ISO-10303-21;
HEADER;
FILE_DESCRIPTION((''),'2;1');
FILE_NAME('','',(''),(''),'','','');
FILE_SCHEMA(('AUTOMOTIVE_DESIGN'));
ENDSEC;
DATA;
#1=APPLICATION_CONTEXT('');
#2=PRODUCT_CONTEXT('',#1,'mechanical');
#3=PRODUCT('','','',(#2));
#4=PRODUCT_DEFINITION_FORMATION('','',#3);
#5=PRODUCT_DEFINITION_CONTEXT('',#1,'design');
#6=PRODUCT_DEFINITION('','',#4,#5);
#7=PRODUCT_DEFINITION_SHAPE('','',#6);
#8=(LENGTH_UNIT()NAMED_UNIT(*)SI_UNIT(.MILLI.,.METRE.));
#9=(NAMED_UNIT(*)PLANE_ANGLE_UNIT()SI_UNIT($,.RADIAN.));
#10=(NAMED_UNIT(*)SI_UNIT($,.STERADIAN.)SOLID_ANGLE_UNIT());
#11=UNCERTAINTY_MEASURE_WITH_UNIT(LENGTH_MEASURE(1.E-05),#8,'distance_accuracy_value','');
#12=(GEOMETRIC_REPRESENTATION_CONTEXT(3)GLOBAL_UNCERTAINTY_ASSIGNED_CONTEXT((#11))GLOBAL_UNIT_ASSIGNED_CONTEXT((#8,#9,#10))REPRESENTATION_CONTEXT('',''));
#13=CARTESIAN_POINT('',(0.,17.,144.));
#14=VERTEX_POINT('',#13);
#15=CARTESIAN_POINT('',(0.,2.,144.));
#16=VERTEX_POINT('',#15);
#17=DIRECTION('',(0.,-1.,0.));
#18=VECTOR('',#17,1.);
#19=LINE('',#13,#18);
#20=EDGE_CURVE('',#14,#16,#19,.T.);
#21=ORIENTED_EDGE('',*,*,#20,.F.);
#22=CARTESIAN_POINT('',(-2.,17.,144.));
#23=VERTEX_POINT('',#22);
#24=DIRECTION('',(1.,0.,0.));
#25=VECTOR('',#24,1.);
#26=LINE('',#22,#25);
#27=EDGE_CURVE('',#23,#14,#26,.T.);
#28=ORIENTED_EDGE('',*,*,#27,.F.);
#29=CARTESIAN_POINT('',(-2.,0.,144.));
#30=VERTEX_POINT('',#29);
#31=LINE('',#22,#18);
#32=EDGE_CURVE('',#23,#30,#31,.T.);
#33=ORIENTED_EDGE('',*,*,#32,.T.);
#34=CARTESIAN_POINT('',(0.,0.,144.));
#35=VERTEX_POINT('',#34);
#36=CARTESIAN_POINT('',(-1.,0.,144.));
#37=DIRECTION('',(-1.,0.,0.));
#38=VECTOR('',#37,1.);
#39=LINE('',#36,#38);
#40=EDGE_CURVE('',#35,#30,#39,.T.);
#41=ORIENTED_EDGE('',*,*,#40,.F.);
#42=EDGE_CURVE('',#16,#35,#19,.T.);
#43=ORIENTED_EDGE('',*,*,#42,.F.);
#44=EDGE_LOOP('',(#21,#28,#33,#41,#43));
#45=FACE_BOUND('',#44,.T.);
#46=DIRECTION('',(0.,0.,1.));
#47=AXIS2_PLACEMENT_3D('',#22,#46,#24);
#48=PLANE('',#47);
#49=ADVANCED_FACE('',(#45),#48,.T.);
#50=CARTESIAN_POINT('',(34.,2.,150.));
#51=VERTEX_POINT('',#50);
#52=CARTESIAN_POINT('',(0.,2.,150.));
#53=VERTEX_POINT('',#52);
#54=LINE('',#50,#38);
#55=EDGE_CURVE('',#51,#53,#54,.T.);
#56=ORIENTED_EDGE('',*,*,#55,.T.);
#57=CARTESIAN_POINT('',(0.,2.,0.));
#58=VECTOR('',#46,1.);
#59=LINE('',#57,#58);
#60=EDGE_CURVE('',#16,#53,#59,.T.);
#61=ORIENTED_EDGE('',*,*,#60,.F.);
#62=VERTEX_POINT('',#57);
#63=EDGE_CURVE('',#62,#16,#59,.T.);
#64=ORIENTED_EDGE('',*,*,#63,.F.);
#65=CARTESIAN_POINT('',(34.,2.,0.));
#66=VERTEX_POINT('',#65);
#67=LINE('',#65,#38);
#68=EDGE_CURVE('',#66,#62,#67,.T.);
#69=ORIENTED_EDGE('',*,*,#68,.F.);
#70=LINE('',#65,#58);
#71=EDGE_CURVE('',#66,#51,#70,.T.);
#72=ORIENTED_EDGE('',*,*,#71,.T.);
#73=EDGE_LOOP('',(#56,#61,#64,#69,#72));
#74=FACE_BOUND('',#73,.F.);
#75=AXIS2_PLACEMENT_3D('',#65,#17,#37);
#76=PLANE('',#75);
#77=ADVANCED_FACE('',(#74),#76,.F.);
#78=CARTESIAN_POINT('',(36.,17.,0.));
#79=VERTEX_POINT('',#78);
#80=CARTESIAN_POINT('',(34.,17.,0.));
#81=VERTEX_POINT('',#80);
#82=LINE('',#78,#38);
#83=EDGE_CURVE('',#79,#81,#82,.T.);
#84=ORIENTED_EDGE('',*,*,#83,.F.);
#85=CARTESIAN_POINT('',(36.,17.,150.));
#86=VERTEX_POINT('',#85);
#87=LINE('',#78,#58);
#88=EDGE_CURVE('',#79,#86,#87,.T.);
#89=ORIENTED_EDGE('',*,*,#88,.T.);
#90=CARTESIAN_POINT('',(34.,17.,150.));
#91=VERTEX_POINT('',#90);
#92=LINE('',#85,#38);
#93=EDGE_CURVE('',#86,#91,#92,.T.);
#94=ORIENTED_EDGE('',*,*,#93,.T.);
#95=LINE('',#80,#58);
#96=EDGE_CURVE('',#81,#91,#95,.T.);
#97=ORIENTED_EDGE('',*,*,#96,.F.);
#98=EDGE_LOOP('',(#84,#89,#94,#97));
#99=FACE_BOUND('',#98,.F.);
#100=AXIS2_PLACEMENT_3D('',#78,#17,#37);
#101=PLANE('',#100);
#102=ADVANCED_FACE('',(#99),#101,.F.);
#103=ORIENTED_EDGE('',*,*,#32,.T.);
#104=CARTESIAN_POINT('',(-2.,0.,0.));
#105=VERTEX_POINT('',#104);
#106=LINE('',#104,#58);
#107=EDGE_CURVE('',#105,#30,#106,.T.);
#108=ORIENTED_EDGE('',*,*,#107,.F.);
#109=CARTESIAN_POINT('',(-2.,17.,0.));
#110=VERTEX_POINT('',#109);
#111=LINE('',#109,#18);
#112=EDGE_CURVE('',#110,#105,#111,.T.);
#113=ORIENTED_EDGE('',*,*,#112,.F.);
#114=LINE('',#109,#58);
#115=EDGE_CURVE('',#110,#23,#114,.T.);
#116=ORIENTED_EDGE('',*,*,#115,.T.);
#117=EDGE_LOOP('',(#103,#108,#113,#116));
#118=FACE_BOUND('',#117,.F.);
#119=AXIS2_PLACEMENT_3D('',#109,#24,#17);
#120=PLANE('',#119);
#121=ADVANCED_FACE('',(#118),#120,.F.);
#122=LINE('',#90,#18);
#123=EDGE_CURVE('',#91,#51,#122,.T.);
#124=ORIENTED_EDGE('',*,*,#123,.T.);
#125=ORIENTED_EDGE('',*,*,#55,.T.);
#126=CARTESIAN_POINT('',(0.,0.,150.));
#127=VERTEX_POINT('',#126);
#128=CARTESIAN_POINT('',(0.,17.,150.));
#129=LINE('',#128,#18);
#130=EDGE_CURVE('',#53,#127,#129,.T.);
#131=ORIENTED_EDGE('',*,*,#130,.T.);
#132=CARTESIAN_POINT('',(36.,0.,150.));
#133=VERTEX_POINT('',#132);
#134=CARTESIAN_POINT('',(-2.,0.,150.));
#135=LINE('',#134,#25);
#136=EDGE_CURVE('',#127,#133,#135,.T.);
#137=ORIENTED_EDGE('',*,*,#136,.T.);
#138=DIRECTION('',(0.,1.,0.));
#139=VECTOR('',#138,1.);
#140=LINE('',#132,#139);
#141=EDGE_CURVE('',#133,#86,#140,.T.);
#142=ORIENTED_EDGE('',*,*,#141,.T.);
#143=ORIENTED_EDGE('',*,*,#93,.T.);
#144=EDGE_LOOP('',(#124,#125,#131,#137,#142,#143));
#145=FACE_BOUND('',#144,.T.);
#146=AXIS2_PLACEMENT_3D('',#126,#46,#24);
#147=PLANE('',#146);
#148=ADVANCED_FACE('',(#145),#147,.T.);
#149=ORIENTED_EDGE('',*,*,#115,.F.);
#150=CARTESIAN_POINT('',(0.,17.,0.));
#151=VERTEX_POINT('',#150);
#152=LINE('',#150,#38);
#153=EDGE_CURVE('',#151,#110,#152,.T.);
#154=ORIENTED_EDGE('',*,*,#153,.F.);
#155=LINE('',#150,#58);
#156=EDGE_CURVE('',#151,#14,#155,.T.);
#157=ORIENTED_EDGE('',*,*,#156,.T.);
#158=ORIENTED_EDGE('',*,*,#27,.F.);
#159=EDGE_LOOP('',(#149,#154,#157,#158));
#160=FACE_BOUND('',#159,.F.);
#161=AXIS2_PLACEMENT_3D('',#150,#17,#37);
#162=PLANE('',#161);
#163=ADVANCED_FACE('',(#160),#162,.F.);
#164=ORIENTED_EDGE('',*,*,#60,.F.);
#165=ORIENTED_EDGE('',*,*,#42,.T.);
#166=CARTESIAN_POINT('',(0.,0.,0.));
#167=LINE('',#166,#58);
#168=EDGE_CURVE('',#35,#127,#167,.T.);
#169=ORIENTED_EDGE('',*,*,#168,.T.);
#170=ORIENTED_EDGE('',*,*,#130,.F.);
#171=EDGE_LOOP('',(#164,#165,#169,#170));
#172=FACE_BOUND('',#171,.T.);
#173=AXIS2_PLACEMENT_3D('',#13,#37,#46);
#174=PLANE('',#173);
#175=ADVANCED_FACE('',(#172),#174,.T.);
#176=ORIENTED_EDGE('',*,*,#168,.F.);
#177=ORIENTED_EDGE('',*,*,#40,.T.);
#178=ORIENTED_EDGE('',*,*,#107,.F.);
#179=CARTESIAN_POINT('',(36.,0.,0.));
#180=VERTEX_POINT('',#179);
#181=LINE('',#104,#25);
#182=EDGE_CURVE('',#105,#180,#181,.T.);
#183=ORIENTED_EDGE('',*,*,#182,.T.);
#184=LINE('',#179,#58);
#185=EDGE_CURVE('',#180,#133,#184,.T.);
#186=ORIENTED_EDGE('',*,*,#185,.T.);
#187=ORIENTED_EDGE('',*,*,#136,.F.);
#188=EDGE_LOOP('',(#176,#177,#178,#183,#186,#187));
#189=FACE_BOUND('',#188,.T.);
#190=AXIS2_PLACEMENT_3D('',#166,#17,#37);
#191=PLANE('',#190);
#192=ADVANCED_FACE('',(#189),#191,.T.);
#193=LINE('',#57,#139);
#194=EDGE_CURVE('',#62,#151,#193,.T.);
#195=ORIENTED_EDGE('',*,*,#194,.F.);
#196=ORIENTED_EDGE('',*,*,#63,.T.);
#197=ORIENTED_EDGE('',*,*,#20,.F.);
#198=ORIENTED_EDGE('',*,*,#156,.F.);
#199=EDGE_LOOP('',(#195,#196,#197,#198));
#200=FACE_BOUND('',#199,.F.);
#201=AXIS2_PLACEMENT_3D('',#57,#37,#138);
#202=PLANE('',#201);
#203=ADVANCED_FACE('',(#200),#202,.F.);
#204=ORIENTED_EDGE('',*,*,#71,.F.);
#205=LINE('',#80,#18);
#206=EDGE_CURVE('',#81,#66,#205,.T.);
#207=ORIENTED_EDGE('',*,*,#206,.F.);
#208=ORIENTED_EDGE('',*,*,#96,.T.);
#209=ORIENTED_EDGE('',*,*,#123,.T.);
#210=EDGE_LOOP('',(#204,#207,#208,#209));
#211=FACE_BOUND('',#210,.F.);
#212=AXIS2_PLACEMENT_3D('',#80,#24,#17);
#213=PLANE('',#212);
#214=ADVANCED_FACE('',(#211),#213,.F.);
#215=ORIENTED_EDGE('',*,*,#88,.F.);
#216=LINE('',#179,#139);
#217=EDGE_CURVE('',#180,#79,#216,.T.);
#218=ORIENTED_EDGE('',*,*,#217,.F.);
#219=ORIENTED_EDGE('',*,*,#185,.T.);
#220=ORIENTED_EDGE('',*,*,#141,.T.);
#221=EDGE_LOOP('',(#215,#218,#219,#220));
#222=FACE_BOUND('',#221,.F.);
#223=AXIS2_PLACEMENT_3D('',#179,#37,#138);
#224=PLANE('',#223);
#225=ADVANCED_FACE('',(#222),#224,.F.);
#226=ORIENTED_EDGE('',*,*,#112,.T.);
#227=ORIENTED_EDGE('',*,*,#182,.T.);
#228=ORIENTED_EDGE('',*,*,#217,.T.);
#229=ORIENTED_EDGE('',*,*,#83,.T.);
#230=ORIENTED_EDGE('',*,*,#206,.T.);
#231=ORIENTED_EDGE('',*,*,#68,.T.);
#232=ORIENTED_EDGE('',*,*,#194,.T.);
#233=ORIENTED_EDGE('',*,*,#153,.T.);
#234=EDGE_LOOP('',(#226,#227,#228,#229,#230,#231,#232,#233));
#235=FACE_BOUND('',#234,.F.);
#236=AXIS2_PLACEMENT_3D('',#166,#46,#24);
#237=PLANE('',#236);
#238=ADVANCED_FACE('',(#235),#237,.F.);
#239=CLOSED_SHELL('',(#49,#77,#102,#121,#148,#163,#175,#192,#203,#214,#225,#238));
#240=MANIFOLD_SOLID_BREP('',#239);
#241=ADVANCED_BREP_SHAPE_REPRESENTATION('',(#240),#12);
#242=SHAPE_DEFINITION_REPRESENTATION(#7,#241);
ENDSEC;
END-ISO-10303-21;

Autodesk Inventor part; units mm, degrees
ref_plane "YZ Plane" through (0, 0, 0) normal (1, 0, 0) x (0, 1, 0)
ref_plane "XZ Plane" through (0, 0, 0) normal (0, 1, 0) x (-1, 0, 0)
ref_plane "XY Plane" through (0, 0, 0) normal (0, 0, 1) x (1, 0, 0)
sketch "Sketch1" plane through (0, 0, 0) normal (0, 0, 1) x (1, 0, 0)
  line L0 (0, 0) -> (-2, 0)
  line L1 (-2, 0) -> (36, 0)
  line L2 (36, 0) -> (36, 17)
  line L3 (36, 17) -> (34, 17)
  line L4 (34, 17) -> (34, 2)
  line L5 (34, 2) -> (0, 2)
  line L6 (0, 2) -> (0, 17)
  line L7 (0, 17) -> (-2, 17)
  line L8 (-2, 17) -> (-2, 0)
  dimension "d8" = 2
  dimension "d9" = 38
  dimension "d10" = 17
  dimension "d11" = 2
  dimension "d12" = 15
extrude "Extrusion1" add sketch "Sketch1" along normal blind 150
sketch "Sketch2" plane through (-2, 17, 150) normal (0, 1, 0) x (1, 0, 0)
  line L0 (0, 150) -> (0, 0) projected
  line L1 (0, 0) -> (0, 6)
  line L2 (0, 6) -> (2, 6)
  line L3 (2, 150) -> (2, 0) projected
  line L4 (2, 6) -> (2, 0)
  line L5 (2, 0) -> (0, 0)
  dimension "d13" = 6
  dimension "d14" = 2
extrude "Extrusion2" cut sketch "Sketch2" against normal through all
properties part number "slide1"
